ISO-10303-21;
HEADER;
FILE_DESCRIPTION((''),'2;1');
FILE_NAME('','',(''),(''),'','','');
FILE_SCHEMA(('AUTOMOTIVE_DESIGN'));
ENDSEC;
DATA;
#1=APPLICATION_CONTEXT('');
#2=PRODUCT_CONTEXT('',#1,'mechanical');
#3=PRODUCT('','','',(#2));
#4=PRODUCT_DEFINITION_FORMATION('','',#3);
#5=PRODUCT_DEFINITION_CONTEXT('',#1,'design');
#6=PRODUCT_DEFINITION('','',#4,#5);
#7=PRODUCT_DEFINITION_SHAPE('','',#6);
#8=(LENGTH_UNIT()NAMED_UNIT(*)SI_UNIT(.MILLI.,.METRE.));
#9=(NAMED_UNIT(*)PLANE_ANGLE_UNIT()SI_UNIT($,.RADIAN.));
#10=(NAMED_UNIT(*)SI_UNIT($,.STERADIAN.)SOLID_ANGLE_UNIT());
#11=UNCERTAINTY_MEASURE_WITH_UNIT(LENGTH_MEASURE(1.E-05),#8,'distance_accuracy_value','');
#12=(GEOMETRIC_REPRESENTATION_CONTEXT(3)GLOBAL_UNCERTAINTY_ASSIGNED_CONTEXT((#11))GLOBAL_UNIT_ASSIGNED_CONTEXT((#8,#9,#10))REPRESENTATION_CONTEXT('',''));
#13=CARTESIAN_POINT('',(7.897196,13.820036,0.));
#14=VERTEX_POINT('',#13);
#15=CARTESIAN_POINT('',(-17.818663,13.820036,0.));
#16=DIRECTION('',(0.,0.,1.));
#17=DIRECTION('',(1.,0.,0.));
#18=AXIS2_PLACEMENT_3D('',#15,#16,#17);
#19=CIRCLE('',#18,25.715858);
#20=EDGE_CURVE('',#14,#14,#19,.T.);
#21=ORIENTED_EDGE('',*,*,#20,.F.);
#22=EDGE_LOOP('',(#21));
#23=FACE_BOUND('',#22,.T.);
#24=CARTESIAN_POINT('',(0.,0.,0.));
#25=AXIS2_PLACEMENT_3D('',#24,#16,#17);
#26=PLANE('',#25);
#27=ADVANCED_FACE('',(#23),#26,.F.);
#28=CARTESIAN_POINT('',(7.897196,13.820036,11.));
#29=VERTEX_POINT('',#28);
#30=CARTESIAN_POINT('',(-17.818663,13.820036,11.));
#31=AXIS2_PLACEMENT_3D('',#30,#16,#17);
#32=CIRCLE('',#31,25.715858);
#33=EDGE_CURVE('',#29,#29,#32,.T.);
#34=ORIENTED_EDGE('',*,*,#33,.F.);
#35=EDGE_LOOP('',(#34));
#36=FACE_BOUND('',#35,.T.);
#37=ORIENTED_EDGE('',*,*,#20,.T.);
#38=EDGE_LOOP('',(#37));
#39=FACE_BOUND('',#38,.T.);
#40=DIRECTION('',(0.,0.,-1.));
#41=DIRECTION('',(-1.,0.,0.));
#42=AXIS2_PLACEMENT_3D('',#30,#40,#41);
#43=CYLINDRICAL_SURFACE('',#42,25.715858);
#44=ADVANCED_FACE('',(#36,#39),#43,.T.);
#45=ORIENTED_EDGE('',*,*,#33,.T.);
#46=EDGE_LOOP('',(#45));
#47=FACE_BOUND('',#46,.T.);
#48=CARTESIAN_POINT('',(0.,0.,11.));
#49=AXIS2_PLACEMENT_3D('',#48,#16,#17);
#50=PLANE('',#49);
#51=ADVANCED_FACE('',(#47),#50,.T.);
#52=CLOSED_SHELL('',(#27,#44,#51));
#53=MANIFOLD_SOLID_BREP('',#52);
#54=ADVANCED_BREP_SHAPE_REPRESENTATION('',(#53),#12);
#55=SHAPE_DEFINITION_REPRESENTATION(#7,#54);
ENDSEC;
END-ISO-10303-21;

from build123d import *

# Parameters (mm, degrees)
SKETCH1_R           = 25.71585839
BOSS_EXTRUDE1_DEPTH = 11


with BuildPart() as part:
    # Sketch1 → Boss-Extrude1 (new body)
    with BuildSketch(Plane(origin=(-8.85045223, 5.874516708, 0), x_dir=(1, 0, 0), z_dir=(0, 0, 1))):
        with Locations((-8.968210392, 7.945519733)):
            Circle(SKETCH1_R)
    extrude(amount=BOSS_EXTRUDE1_DEPTH)


solid = part.part
